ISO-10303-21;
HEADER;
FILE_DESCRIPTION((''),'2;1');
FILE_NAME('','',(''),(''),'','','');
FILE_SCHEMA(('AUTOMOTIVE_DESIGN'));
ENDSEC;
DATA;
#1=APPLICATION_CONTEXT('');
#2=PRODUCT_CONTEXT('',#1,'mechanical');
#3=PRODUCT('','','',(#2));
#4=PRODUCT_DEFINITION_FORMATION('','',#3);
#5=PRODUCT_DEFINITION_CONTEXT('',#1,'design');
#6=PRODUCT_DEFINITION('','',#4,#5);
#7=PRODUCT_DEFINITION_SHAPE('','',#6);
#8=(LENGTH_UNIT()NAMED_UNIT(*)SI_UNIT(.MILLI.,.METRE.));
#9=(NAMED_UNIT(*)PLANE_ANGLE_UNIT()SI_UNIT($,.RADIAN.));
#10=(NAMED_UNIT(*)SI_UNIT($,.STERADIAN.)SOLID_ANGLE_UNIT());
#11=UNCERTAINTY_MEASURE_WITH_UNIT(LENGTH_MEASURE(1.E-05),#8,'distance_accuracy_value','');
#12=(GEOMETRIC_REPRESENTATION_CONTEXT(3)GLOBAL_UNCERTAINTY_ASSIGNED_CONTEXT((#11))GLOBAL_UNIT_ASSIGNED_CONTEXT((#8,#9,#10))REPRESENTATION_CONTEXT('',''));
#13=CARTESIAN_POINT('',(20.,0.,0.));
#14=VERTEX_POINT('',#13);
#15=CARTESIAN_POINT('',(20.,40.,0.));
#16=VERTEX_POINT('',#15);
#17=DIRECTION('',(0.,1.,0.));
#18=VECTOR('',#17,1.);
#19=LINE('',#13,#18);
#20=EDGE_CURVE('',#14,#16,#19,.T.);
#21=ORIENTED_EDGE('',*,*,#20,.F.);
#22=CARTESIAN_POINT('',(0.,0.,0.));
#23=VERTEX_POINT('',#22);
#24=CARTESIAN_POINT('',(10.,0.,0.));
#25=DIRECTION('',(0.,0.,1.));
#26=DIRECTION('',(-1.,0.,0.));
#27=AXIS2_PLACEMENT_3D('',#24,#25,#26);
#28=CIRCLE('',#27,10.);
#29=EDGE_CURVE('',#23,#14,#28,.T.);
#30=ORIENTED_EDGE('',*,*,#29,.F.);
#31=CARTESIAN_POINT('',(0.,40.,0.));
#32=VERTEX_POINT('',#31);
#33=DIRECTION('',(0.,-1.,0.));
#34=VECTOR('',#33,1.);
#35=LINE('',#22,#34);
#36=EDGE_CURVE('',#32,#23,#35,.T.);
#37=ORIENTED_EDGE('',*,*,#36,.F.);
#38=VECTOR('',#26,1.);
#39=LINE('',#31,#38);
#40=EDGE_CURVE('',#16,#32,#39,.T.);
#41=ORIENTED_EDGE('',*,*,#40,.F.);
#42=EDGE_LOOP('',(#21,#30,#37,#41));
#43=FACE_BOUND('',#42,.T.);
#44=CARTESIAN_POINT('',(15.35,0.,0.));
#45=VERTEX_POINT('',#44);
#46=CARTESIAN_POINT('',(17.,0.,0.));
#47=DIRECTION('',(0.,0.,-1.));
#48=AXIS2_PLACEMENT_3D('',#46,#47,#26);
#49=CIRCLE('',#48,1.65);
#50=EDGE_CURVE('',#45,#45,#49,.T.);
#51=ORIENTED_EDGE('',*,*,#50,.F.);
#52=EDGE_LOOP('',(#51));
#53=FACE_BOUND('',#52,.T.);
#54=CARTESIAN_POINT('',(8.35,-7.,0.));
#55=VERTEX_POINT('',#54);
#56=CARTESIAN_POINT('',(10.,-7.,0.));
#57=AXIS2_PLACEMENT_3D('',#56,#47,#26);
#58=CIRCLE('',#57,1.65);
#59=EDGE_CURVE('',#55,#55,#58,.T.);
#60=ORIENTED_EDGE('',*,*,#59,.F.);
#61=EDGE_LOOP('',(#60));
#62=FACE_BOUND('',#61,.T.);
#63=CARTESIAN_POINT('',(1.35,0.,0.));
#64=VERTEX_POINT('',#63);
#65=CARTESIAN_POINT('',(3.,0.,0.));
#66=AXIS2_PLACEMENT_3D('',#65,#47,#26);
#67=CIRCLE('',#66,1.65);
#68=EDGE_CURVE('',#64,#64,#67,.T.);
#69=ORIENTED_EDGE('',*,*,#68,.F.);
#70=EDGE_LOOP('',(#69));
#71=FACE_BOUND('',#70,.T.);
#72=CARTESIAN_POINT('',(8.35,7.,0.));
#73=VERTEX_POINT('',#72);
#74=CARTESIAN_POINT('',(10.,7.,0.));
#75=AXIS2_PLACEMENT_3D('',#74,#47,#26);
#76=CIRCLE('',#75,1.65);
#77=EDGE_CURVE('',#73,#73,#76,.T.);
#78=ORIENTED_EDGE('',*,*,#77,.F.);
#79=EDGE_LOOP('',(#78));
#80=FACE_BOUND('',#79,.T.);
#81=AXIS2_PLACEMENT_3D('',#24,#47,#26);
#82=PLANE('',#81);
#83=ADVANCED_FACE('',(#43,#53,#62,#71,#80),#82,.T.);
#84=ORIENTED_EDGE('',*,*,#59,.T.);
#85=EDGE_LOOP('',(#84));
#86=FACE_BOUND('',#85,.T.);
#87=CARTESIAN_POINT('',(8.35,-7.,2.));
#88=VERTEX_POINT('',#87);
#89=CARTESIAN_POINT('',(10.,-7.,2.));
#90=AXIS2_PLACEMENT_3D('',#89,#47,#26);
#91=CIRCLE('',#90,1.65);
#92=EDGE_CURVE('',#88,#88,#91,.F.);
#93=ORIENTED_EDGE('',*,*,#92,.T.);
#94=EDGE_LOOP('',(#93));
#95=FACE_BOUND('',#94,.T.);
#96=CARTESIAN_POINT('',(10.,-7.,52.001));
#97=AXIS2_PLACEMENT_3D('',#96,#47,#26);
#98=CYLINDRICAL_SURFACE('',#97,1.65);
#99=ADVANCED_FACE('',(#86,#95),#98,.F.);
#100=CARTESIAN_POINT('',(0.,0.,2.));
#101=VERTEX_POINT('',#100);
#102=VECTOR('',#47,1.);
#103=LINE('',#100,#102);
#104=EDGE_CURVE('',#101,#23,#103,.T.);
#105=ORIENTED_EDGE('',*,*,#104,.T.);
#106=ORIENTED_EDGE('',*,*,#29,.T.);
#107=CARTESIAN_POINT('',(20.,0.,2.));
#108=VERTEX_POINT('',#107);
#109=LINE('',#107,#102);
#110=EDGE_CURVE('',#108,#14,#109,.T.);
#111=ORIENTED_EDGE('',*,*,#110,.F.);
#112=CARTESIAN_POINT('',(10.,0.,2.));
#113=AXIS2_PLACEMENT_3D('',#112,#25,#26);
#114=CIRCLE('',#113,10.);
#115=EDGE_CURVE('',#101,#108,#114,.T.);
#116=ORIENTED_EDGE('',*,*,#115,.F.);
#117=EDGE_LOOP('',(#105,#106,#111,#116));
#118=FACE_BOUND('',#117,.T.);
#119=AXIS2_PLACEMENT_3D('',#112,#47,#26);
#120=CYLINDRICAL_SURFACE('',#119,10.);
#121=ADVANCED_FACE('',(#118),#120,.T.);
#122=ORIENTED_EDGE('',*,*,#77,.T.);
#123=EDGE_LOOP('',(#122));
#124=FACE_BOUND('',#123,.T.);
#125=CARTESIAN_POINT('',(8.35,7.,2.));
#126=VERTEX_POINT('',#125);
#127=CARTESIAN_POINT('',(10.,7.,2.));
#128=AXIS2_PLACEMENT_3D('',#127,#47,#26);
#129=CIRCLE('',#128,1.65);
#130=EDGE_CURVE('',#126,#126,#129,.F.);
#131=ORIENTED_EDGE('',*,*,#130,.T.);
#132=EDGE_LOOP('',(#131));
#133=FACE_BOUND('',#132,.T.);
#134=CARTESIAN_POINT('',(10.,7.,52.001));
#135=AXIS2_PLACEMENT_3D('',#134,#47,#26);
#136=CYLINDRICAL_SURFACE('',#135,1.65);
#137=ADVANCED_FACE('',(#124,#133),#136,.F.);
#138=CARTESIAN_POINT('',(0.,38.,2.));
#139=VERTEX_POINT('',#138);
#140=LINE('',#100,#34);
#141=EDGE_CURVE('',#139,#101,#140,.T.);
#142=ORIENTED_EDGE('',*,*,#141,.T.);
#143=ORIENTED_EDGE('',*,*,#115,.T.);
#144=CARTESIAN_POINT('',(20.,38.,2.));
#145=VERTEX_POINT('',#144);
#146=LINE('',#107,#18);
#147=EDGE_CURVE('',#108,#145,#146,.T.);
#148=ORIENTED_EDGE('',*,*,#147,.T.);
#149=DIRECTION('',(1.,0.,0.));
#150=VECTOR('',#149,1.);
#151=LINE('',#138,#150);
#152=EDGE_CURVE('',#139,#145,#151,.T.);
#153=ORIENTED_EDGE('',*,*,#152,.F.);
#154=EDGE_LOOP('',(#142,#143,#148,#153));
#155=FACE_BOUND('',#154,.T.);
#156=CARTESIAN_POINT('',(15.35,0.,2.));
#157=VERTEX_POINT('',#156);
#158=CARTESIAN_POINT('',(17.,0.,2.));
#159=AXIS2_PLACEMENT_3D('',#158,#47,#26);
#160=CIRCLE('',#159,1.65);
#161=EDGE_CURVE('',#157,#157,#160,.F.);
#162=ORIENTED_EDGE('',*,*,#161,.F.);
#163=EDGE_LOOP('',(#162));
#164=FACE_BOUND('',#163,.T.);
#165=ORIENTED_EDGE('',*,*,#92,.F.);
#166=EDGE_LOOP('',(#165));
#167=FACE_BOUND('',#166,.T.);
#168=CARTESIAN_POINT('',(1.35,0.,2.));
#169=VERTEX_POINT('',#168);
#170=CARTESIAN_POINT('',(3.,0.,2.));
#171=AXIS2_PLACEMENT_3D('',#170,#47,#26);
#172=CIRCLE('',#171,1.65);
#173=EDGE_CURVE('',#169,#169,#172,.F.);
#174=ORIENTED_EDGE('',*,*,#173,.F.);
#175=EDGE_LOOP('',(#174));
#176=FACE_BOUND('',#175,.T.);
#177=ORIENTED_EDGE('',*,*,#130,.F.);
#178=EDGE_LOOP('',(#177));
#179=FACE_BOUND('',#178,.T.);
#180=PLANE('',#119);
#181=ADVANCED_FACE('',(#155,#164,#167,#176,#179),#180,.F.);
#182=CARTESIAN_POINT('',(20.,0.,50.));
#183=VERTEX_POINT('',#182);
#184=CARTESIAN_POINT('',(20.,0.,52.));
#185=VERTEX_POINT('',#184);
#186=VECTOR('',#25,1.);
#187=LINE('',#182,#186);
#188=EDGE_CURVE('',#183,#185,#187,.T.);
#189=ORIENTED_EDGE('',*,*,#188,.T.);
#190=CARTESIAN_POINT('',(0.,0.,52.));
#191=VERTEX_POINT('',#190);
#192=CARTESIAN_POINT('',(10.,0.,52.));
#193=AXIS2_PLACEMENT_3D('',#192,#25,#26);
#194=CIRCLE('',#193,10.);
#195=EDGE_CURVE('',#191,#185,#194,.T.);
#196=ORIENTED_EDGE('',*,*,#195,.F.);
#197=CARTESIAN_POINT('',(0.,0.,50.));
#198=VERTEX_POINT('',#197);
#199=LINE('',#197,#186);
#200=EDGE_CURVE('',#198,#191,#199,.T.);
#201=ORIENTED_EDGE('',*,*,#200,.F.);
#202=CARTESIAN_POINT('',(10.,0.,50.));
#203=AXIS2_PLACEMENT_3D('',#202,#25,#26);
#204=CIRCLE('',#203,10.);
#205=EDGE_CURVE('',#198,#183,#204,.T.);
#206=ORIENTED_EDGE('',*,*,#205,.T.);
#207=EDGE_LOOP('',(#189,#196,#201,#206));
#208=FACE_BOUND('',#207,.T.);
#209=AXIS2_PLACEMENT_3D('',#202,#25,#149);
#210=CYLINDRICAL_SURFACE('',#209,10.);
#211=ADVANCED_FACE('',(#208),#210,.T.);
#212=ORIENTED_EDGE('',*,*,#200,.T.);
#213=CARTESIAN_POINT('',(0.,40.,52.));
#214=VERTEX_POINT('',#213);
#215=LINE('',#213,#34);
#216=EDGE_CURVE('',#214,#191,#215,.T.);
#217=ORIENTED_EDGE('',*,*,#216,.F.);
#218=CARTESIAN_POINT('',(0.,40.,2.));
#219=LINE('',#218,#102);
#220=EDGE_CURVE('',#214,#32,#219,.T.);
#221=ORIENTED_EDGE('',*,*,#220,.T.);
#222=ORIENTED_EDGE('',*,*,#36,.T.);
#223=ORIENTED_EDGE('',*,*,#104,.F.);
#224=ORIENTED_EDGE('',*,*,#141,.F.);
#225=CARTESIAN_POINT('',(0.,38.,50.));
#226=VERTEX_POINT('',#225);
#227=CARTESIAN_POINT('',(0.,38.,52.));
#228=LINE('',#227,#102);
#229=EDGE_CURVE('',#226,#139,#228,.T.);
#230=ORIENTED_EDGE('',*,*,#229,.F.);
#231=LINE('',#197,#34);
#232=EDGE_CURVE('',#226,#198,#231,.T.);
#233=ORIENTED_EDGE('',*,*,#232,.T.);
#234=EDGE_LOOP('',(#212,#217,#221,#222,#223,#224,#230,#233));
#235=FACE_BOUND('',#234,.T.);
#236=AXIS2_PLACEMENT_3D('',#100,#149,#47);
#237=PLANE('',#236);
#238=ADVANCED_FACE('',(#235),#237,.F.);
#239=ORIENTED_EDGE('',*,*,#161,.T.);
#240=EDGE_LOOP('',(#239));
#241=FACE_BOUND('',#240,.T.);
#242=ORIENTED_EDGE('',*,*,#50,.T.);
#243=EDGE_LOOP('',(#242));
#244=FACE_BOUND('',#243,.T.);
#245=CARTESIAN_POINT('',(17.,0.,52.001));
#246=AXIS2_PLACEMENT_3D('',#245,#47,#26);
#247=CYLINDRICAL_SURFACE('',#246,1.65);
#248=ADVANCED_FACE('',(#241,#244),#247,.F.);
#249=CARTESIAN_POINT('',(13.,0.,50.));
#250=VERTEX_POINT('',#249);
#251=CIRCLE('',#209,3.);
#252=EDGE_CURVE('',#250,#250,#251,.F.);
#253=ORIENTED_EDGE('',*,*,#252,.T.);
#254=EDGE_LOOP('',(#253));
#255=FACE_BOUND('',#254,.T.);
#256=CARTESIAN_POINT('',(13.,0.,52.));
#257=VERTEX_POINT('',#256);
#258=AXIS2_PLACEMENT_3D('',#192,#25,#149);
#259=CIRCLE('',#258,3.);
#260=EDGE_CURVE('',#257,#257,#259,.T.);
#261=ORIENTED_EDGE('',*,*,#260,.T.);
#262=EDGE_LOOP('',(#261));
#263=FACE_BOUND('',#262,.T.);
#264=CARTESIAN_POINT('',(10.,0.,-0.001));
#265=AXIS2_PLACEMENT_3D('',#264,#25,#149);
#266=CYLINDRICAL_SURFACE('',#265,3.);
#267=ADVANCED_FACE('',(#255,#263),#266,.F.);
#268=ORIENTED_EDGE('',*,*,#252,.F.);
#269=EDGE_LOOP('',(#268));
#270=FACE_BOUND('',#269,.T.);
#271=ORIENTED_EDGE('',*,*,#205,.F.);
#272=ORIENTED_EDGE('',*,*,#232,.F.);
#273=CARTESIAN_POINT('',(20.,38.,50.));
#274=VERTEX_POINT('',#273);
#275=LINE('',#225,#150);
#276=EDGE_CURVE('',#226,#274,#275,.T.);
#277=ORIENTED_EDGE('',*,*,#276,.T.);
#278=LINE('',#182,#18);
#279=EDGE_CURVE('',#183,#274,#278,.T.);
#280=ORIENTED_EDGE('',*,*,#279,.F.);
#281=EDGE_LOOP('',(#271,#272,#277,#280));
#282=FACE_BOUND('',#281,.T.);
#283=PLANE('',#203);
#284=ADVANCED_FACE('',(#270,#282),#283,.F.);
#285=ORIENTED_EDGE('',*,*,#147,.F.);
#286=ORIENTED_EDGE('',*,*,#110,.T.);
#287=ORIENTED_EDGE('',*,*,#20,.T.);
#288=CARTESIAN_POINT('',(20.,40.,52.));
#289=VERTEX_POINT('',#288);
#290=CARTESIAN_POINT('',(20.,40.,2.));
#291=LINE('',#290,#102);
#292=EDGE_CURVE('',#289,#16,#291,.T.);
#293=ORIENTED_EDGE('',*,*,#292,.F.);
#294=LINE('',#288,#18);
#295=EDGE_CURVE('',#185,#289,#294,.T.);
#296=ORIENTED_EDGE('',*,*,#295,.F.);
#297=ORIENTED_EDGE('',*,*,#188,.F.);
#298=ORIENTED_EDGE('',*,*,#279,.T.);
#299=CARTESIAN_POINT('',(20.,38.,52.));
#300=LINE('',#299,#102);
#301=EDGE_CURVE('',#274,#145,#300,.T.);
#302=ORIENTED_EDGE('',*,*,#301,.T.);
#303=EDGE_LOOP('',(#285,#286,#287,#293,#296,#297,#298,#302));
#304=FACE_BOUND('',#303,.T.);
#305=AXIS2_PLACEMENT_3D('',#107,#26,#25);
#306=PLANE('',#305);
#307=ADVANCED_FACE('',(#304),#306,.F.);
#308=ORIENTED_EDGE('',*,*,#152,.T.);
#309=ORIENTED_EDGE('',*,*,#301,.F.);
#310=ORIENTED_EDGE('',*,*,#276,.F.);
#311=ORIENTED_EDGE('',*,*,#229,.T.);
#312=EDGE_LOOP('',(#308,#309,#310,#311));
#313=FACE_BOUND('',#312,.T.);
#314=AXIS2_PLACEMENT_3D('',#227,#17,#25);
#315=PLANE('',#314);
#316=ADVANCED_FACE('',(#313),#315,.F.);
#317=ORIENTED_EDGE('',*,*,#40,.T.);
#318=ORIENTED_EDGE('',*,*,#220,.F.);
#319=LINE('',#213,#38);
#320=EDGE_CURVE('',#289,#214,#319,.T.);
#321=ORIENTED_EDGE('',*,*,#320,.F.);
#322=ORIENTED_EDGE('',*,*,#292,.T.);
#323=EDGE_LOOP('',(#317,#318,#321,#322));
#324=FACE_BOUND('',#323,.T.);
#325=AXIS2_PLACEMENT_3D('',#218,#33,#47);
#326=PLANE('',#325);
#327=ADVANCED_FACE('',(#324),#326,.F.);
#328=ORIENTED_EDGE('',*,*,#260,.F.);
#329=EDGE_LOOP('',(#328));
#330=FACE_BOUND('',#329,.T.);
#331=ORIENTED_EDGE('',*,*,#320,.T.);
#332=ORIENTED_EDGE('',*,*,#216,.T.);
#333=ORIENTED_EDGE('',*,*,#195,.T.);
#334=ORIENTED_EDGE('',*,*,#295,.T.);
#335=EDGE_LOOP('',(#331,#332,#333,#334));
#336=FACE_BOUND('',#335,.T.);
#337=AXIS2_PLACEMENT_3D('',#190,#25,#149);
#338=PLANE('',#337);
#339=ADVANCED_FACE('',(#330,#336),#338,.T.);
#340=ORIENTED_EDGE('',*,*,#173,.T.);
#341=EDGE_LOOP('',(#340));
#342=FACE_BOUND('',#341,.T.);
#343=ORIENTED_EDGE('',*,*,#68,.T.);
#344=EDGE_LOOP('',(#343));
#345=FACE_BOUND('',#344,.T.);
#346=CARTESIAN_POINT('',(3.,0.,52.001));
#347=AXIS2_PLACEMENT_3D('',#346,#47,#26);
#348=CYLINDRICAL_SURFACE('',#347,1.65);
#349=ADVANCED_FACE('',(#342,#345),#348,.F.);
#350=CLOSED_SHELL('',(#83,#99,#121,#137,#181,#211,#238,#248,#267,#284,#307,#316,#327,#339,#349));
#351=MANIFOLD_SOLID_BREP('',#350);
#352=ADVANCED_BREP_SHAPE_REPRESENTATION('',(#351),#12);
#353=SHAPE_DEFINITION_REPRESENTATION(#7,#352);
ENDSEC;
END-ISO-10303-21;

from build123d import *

# Parameters (mm, degrees)
EXTRUDE_1_DEPTH     = 2
SKETCH_2_W          = 20
SKETCH_2_H          = 2
EXTRUDE_2_DEPTH     = 50
CUT_EXTRUDE_1_REACH = 70.586
SKETCH_4_R          = 3
CUT_EXTRUDE_2_REACH = 70.586
SKETCH_5_R          = 1.65


with BuildPart() as part:
    # 草图1 → 凸台-拉伸1 (new body)
    with BuildSketch(Plane.XY):
        with BuildLine():
            Line((0, 0), (0, 40))
            Line((0, 40), (20, 40))
            Line((20, 40), (20, 0))
            ThreePointArc((20, 0), (10, -10), (0, 0))
        make_face()
    extrude_1 = extrude(amount=EXTRUDE_1_DEPTH)

    # 草图2 → 凸台-拉伸2 (add)
    with BuildSketch(Plane.XY.offset(2)):
        with Locations((10, 39)):
            Rectangle(SKETCH_2_W, SKETCH_2_H)
    extrude(amount=EXTRUDE_2_DEPTH)

    # 镜向1: 凸台-拉伸1 across plane
    add(extrude_1.mirror(Plane.XY.offset(26)))

    # 草图4 → 切除-拉伸1 (cut, up to next)
    with BuildSketch(Plane.XY.offset(52), mode=Mode.PRIVATE) as cut_extrude_1_sk1:
        with Locations((10, 0)):
            Circle(SKETCH_4_R)
    cut_extrude_1_tool1 = extrude(cut_extrude_1_sk1.sketch, amount=-CUT_EXTRUDE_1_REACH, mode=Mode.PRIVATE) & part.part
    add(cut_extrude_1_tool1.solids().sort_by_distance((10, 0, 52))[0], mode=Mode.SUBTRACT)

    # 草图5 → 切除-拉伸2 (cut, up to next)
    with BuildSketch(Plane(origin=(0, 0, 0), x_dir=(-1, 0, 0), z_dir=(0, 0, -1)), mode=Mode.PRIVATE) as cut_extrude_2_sk1:
        with Locations((-10, -7)):
            Circle(SKETCH_5_R)
    cut_extrude_2_tool1 = extrude(cut_extrude_2_sk1.sketch, amount=-CUT_EXTRUDE_2_REACH, mode=Mode.PRIVATE) & part.part
    # 草图5 → 切除-拉伸2 (cut, up to next)
    with BuildSketch(Plane(origin=(0, 0, 0), x_dir=(-1, 0, 0), z_dir=(0, 0, -1)), mode=Mode.PRIVATE) as cut_extrude_2_sk2:
        with Locations((-17, 0)):
            Circle(SKETCH_5_R)
    cut_extrude_2_tool2 = extrude(cut_extrude_2_sk2.sketch, amount=-CUT_EXTRUDE_2_REACH, mode=Mode.PRIVATE) & part.part
    # 草图5 → 切除-拉伸2 (cut, up to next)
    with BuildSketch(Plane(origin=(0, 0, 0), x_dir=(-1, 0, 0), z_dir=(0, 0, -1)), mode=Mode.PRIVATE) as cut_extrude_2_sk3:
        with Locations((-10, 7)):
            Circle(SKETCH_5_R)
    cut_extrude_2_tool3 = extrude(cut_extrude_2_sk3.sketch, amount=-CUT_EXTRUDE_2_REACH, mode=Mode.PRIVATE) & part.part
    # 草图5 → 切除-拉伸2 (cut, up to next)
    with BuildSketch(Plane(origin=(0, 0, 0), x_dir=(-1, 0, 0), z_dir=(0, 0, -1)), mode=Mode.PRIVATE) as cut_extrude_2_sk4:
        with Locations((-3, 0)):
            Circle(SKETCH_5_R)
    cut_extrude_2_tool4 = extrude(cut_extrude_2_sk4.sketch, amount=-CUT_EXTRUDE_2_REACH, mode=Mode.PRIVATE) & part.part
    add(cut_extrude_2_tool1.solids().sort_by_distance((10, -7, 0))[0], mode=Mode.SUBTRACT)
    add(cut_extrude_2_tool2.solids().sort_by_distance((17, 0, 0))[0], mode=Mode.SUBTRACT)
    add(cut_extrude_2_tool3.solids().sort_by_distance((10, 7, 0))[0], mode=Mode.SUBTRACT)
    add(cut_extrude_2_tool4.solids().sort_by_distance((3, 0, 0))[0], mode=Mode.SUBTRACT)


solid = part.part
